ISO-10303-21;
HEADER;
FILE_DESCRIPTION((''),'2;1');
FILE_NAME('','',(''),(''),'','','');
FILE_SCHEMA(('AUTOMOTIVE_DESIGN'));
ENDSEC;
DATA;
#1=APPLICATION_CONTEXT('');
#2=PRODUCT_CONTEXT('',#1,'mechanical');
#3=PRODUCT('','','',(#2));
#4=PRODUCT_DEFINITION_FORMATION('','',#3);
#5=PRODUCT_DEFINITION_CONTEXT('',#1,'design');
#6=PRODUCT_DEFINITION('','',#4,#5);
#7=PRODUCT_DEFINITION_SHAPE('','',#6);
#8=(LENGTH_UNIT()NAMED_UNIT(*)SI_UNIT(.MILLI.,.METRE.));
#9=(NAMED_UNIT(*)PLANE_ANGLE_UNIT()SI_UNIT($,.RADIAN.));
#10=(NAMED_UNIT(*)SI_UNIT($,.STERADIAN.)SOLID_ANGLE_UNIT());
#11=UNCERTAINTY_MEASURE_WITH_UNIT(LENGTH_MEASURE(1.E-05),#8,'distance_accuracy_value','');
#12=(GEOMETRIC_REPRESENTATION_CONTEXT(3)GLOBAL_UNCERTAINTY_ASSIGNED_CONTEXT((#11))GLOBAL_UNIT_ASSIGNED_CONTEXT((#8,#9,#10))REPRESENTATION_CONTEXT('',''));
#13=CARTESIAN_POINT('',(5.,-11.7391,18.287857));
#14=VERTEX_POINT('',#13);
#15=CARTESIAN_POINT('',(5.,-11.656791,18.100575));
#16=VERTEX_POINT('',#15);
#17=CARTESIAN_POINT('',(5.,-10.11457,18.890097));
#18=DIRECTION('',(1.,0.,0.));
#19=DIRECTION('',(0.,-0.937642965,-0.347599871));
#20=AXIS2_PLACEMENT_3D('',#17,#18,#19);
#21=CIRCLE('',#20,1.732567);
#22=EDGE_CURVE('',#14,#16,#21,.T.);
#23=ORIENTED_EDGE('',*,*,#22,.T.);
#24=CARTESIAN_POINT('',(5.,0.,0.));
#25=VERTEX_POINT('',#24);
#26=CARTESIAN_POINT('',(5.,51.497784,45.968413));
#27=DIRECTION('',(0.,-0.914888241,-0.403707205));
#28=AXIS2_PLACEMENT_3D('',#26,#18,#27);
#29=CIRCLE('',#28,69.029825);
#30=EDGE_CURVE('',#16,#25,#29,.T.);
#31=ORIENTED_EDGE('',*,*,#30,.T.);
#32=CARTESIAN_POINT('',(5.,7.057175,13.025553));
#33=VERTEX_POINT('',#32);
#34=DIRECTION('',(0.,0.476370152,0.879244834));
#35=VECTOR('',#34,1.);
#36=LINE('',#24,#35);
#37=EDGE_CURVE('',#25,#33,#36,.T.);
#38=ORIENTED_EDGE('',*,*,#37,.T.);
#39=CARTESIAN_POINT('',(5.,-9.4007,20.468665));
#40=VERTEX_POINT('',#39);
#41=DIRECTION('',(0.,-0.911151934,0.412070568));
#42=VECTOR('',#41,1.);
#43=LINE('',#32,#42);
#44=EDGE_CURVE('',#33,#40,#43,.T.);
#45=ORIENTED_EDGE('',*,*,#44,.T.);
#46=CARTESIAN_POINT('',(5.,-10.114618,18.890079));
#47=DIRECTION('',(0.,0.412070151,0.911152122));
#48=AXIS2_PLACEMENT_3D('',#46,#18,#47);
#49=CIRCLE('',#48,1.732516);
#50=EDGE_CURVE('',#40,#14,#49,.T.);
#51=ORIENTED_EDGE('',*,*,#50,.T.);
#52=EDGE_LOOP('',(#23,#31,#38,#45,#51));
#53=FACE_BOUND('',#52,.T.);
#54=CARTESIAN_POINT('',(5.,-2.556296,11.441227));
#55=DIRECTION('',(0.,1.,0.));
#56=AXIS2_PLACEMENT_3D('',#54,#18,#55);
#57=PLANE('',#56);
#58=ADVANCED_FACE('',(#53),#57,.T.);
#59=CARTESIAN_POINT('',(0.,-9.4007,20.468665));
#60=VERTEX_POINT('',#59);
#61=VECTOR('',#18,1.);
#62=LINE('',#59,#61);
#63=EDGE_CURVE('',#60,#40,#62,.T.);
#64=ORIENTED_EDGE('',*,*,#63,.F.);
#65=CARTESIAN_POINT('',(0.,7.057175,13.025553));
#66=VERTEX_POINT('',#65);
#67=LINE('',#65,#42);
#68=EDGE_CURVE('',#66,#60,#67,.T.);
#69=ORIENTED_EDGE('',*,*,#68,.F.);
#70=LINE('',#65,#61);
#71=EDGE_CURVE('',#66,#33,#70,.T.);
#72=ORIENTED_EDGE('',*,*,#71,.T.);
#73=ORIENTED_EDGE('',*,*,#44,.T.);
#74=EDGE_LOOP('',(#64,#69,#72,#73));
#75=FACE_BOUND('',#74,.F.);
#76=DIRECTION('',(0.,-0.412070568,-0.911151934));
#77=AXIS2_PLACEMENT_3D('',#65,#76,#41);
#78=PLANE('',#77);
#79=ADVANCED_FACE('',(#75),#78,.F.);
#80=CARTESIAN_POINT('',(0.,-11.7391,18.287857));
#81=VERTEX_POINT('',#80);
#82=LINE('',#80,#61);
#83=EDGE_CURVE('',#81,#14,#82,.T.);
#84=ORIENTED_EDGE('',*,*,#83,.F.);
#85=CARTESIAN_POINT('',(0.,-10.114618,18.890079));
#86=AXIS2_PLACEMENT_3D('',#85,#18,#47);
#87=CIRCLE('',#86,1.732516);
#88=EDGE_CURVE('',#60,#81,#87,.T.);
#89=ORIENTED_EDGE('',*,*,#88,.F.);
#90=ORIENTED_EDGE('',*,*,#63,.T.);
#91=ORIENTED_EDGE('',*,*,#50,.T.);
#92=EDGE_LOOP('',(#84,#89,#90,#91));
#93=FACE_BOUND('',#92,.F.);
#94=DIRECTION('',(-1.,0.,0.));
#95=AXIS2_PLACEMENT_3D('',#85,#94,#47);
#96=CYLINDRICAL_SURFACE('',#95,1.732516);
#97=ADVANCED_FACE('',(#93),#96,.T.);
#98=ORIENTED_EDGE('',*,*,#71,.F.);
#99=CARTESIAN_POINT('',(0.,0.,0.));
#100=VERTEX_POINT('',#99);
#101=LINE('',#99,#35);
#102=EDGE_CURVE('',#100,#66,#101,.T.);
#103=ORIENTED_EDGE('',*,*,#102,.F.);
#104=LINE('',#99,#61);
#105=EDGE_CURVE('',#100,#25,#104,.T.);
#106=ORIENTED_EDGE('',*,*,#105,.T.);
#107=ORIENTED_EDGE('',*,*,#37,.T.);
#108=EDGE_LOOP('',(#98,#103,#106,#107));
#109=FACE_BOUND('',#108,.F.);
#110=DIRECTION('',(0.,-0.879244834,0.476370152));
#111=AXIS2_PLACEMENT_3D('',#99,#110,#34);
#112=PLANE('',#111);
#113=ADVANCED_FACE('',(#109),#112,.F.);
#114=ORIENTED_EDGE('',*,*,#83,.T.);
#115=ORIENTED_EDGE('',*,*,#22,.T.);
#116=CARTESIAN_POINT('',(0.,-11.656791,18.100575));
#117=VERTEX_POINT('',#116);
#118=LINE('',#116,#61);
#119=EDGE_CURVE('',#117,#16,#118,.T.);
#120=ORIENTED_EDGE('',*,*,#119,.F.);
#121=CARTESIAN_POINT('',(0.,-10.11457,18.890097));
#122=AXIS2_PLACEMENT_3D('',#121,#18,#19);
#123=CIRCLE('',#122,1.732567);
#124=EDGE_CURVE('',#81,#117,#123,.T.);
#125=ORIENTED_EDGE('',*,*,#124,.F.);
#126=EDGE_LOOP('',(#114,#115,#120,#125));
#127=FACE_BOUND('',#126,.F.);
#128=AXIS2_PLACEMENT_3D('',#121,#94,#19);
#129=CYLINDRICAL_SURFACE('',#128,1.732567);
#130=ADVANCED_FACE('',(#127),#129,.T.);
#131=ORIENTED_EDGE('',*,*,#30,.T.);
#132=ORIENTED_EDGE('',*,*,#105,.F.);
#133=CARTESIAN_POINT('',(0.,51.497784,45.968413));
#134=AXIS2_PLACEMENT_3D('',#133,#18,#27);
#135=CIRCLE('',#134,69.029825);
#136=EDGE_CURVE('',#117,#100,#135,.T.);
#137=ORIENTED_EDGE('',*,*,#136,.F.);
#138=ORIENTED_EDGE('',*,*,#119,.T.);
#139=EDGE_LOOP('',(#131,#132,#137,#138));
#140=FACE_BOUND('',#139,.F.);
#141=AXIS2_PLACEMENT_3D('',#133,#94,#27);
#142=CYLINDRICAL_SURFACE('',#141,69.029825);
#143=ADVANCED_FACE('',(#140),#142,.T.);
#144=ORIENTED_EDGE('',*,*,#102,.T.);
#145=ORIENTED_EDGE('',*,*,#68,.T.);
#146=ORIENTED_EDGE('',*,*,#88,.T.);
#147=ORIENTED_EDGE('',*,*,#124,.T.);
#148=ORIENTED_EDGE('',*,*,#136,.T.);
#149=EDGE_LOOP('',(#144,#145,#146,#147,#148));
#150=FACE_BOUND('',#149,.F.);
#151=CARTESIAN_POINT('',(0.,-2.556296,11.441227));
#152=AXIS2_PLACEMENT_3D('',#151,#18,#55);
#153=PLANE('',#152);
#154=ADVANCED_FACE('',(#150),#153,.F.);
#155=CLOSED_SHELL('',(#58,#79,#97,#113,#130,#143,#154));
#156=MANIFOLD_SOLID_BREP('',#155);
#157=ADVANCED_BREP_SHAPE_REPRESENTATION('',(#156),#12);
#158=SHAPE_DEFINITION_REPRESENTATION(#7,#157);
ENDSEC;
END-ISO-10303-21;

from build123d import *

# Parameters (mm, degrees)
F1_DEPTH = 5


with BuildPart() as f1:
    # F0 (on Right) → F1 (new body)
    with BuildSketch(Plane.YZ):
        with BuildLine():
            Line((7.057175, 13.025553), (-9.4007, 20.468665))
            ThreePointArc((-9.4007, 20.468665), (-11.296254, 20.157103), (-11.7391, 18.287857))
            ThreePointArc((-11.7391, 18.287857), (-11.698015, 18.194185), (-11.656791, 18.100575))
            ThreePointArc((-11.656791, 18.100575), (-6.538399, 8.593044), (0, 0))
            Line((0, 0), (7.057175, 13.025553))
        make_face()
        with BuildLine():
            ThreePointArc((-11.656791, 18.100575), (-11.698015, 18.194185), (-11.7391, 18.287857))
            ThreePointArc((-11.7391, 18.287857), (-11.700712, 18.193), (-11.656791, 18.100575))
        make_face()
    extrude(amount=F1_DEPTH)


solid = f1.part
